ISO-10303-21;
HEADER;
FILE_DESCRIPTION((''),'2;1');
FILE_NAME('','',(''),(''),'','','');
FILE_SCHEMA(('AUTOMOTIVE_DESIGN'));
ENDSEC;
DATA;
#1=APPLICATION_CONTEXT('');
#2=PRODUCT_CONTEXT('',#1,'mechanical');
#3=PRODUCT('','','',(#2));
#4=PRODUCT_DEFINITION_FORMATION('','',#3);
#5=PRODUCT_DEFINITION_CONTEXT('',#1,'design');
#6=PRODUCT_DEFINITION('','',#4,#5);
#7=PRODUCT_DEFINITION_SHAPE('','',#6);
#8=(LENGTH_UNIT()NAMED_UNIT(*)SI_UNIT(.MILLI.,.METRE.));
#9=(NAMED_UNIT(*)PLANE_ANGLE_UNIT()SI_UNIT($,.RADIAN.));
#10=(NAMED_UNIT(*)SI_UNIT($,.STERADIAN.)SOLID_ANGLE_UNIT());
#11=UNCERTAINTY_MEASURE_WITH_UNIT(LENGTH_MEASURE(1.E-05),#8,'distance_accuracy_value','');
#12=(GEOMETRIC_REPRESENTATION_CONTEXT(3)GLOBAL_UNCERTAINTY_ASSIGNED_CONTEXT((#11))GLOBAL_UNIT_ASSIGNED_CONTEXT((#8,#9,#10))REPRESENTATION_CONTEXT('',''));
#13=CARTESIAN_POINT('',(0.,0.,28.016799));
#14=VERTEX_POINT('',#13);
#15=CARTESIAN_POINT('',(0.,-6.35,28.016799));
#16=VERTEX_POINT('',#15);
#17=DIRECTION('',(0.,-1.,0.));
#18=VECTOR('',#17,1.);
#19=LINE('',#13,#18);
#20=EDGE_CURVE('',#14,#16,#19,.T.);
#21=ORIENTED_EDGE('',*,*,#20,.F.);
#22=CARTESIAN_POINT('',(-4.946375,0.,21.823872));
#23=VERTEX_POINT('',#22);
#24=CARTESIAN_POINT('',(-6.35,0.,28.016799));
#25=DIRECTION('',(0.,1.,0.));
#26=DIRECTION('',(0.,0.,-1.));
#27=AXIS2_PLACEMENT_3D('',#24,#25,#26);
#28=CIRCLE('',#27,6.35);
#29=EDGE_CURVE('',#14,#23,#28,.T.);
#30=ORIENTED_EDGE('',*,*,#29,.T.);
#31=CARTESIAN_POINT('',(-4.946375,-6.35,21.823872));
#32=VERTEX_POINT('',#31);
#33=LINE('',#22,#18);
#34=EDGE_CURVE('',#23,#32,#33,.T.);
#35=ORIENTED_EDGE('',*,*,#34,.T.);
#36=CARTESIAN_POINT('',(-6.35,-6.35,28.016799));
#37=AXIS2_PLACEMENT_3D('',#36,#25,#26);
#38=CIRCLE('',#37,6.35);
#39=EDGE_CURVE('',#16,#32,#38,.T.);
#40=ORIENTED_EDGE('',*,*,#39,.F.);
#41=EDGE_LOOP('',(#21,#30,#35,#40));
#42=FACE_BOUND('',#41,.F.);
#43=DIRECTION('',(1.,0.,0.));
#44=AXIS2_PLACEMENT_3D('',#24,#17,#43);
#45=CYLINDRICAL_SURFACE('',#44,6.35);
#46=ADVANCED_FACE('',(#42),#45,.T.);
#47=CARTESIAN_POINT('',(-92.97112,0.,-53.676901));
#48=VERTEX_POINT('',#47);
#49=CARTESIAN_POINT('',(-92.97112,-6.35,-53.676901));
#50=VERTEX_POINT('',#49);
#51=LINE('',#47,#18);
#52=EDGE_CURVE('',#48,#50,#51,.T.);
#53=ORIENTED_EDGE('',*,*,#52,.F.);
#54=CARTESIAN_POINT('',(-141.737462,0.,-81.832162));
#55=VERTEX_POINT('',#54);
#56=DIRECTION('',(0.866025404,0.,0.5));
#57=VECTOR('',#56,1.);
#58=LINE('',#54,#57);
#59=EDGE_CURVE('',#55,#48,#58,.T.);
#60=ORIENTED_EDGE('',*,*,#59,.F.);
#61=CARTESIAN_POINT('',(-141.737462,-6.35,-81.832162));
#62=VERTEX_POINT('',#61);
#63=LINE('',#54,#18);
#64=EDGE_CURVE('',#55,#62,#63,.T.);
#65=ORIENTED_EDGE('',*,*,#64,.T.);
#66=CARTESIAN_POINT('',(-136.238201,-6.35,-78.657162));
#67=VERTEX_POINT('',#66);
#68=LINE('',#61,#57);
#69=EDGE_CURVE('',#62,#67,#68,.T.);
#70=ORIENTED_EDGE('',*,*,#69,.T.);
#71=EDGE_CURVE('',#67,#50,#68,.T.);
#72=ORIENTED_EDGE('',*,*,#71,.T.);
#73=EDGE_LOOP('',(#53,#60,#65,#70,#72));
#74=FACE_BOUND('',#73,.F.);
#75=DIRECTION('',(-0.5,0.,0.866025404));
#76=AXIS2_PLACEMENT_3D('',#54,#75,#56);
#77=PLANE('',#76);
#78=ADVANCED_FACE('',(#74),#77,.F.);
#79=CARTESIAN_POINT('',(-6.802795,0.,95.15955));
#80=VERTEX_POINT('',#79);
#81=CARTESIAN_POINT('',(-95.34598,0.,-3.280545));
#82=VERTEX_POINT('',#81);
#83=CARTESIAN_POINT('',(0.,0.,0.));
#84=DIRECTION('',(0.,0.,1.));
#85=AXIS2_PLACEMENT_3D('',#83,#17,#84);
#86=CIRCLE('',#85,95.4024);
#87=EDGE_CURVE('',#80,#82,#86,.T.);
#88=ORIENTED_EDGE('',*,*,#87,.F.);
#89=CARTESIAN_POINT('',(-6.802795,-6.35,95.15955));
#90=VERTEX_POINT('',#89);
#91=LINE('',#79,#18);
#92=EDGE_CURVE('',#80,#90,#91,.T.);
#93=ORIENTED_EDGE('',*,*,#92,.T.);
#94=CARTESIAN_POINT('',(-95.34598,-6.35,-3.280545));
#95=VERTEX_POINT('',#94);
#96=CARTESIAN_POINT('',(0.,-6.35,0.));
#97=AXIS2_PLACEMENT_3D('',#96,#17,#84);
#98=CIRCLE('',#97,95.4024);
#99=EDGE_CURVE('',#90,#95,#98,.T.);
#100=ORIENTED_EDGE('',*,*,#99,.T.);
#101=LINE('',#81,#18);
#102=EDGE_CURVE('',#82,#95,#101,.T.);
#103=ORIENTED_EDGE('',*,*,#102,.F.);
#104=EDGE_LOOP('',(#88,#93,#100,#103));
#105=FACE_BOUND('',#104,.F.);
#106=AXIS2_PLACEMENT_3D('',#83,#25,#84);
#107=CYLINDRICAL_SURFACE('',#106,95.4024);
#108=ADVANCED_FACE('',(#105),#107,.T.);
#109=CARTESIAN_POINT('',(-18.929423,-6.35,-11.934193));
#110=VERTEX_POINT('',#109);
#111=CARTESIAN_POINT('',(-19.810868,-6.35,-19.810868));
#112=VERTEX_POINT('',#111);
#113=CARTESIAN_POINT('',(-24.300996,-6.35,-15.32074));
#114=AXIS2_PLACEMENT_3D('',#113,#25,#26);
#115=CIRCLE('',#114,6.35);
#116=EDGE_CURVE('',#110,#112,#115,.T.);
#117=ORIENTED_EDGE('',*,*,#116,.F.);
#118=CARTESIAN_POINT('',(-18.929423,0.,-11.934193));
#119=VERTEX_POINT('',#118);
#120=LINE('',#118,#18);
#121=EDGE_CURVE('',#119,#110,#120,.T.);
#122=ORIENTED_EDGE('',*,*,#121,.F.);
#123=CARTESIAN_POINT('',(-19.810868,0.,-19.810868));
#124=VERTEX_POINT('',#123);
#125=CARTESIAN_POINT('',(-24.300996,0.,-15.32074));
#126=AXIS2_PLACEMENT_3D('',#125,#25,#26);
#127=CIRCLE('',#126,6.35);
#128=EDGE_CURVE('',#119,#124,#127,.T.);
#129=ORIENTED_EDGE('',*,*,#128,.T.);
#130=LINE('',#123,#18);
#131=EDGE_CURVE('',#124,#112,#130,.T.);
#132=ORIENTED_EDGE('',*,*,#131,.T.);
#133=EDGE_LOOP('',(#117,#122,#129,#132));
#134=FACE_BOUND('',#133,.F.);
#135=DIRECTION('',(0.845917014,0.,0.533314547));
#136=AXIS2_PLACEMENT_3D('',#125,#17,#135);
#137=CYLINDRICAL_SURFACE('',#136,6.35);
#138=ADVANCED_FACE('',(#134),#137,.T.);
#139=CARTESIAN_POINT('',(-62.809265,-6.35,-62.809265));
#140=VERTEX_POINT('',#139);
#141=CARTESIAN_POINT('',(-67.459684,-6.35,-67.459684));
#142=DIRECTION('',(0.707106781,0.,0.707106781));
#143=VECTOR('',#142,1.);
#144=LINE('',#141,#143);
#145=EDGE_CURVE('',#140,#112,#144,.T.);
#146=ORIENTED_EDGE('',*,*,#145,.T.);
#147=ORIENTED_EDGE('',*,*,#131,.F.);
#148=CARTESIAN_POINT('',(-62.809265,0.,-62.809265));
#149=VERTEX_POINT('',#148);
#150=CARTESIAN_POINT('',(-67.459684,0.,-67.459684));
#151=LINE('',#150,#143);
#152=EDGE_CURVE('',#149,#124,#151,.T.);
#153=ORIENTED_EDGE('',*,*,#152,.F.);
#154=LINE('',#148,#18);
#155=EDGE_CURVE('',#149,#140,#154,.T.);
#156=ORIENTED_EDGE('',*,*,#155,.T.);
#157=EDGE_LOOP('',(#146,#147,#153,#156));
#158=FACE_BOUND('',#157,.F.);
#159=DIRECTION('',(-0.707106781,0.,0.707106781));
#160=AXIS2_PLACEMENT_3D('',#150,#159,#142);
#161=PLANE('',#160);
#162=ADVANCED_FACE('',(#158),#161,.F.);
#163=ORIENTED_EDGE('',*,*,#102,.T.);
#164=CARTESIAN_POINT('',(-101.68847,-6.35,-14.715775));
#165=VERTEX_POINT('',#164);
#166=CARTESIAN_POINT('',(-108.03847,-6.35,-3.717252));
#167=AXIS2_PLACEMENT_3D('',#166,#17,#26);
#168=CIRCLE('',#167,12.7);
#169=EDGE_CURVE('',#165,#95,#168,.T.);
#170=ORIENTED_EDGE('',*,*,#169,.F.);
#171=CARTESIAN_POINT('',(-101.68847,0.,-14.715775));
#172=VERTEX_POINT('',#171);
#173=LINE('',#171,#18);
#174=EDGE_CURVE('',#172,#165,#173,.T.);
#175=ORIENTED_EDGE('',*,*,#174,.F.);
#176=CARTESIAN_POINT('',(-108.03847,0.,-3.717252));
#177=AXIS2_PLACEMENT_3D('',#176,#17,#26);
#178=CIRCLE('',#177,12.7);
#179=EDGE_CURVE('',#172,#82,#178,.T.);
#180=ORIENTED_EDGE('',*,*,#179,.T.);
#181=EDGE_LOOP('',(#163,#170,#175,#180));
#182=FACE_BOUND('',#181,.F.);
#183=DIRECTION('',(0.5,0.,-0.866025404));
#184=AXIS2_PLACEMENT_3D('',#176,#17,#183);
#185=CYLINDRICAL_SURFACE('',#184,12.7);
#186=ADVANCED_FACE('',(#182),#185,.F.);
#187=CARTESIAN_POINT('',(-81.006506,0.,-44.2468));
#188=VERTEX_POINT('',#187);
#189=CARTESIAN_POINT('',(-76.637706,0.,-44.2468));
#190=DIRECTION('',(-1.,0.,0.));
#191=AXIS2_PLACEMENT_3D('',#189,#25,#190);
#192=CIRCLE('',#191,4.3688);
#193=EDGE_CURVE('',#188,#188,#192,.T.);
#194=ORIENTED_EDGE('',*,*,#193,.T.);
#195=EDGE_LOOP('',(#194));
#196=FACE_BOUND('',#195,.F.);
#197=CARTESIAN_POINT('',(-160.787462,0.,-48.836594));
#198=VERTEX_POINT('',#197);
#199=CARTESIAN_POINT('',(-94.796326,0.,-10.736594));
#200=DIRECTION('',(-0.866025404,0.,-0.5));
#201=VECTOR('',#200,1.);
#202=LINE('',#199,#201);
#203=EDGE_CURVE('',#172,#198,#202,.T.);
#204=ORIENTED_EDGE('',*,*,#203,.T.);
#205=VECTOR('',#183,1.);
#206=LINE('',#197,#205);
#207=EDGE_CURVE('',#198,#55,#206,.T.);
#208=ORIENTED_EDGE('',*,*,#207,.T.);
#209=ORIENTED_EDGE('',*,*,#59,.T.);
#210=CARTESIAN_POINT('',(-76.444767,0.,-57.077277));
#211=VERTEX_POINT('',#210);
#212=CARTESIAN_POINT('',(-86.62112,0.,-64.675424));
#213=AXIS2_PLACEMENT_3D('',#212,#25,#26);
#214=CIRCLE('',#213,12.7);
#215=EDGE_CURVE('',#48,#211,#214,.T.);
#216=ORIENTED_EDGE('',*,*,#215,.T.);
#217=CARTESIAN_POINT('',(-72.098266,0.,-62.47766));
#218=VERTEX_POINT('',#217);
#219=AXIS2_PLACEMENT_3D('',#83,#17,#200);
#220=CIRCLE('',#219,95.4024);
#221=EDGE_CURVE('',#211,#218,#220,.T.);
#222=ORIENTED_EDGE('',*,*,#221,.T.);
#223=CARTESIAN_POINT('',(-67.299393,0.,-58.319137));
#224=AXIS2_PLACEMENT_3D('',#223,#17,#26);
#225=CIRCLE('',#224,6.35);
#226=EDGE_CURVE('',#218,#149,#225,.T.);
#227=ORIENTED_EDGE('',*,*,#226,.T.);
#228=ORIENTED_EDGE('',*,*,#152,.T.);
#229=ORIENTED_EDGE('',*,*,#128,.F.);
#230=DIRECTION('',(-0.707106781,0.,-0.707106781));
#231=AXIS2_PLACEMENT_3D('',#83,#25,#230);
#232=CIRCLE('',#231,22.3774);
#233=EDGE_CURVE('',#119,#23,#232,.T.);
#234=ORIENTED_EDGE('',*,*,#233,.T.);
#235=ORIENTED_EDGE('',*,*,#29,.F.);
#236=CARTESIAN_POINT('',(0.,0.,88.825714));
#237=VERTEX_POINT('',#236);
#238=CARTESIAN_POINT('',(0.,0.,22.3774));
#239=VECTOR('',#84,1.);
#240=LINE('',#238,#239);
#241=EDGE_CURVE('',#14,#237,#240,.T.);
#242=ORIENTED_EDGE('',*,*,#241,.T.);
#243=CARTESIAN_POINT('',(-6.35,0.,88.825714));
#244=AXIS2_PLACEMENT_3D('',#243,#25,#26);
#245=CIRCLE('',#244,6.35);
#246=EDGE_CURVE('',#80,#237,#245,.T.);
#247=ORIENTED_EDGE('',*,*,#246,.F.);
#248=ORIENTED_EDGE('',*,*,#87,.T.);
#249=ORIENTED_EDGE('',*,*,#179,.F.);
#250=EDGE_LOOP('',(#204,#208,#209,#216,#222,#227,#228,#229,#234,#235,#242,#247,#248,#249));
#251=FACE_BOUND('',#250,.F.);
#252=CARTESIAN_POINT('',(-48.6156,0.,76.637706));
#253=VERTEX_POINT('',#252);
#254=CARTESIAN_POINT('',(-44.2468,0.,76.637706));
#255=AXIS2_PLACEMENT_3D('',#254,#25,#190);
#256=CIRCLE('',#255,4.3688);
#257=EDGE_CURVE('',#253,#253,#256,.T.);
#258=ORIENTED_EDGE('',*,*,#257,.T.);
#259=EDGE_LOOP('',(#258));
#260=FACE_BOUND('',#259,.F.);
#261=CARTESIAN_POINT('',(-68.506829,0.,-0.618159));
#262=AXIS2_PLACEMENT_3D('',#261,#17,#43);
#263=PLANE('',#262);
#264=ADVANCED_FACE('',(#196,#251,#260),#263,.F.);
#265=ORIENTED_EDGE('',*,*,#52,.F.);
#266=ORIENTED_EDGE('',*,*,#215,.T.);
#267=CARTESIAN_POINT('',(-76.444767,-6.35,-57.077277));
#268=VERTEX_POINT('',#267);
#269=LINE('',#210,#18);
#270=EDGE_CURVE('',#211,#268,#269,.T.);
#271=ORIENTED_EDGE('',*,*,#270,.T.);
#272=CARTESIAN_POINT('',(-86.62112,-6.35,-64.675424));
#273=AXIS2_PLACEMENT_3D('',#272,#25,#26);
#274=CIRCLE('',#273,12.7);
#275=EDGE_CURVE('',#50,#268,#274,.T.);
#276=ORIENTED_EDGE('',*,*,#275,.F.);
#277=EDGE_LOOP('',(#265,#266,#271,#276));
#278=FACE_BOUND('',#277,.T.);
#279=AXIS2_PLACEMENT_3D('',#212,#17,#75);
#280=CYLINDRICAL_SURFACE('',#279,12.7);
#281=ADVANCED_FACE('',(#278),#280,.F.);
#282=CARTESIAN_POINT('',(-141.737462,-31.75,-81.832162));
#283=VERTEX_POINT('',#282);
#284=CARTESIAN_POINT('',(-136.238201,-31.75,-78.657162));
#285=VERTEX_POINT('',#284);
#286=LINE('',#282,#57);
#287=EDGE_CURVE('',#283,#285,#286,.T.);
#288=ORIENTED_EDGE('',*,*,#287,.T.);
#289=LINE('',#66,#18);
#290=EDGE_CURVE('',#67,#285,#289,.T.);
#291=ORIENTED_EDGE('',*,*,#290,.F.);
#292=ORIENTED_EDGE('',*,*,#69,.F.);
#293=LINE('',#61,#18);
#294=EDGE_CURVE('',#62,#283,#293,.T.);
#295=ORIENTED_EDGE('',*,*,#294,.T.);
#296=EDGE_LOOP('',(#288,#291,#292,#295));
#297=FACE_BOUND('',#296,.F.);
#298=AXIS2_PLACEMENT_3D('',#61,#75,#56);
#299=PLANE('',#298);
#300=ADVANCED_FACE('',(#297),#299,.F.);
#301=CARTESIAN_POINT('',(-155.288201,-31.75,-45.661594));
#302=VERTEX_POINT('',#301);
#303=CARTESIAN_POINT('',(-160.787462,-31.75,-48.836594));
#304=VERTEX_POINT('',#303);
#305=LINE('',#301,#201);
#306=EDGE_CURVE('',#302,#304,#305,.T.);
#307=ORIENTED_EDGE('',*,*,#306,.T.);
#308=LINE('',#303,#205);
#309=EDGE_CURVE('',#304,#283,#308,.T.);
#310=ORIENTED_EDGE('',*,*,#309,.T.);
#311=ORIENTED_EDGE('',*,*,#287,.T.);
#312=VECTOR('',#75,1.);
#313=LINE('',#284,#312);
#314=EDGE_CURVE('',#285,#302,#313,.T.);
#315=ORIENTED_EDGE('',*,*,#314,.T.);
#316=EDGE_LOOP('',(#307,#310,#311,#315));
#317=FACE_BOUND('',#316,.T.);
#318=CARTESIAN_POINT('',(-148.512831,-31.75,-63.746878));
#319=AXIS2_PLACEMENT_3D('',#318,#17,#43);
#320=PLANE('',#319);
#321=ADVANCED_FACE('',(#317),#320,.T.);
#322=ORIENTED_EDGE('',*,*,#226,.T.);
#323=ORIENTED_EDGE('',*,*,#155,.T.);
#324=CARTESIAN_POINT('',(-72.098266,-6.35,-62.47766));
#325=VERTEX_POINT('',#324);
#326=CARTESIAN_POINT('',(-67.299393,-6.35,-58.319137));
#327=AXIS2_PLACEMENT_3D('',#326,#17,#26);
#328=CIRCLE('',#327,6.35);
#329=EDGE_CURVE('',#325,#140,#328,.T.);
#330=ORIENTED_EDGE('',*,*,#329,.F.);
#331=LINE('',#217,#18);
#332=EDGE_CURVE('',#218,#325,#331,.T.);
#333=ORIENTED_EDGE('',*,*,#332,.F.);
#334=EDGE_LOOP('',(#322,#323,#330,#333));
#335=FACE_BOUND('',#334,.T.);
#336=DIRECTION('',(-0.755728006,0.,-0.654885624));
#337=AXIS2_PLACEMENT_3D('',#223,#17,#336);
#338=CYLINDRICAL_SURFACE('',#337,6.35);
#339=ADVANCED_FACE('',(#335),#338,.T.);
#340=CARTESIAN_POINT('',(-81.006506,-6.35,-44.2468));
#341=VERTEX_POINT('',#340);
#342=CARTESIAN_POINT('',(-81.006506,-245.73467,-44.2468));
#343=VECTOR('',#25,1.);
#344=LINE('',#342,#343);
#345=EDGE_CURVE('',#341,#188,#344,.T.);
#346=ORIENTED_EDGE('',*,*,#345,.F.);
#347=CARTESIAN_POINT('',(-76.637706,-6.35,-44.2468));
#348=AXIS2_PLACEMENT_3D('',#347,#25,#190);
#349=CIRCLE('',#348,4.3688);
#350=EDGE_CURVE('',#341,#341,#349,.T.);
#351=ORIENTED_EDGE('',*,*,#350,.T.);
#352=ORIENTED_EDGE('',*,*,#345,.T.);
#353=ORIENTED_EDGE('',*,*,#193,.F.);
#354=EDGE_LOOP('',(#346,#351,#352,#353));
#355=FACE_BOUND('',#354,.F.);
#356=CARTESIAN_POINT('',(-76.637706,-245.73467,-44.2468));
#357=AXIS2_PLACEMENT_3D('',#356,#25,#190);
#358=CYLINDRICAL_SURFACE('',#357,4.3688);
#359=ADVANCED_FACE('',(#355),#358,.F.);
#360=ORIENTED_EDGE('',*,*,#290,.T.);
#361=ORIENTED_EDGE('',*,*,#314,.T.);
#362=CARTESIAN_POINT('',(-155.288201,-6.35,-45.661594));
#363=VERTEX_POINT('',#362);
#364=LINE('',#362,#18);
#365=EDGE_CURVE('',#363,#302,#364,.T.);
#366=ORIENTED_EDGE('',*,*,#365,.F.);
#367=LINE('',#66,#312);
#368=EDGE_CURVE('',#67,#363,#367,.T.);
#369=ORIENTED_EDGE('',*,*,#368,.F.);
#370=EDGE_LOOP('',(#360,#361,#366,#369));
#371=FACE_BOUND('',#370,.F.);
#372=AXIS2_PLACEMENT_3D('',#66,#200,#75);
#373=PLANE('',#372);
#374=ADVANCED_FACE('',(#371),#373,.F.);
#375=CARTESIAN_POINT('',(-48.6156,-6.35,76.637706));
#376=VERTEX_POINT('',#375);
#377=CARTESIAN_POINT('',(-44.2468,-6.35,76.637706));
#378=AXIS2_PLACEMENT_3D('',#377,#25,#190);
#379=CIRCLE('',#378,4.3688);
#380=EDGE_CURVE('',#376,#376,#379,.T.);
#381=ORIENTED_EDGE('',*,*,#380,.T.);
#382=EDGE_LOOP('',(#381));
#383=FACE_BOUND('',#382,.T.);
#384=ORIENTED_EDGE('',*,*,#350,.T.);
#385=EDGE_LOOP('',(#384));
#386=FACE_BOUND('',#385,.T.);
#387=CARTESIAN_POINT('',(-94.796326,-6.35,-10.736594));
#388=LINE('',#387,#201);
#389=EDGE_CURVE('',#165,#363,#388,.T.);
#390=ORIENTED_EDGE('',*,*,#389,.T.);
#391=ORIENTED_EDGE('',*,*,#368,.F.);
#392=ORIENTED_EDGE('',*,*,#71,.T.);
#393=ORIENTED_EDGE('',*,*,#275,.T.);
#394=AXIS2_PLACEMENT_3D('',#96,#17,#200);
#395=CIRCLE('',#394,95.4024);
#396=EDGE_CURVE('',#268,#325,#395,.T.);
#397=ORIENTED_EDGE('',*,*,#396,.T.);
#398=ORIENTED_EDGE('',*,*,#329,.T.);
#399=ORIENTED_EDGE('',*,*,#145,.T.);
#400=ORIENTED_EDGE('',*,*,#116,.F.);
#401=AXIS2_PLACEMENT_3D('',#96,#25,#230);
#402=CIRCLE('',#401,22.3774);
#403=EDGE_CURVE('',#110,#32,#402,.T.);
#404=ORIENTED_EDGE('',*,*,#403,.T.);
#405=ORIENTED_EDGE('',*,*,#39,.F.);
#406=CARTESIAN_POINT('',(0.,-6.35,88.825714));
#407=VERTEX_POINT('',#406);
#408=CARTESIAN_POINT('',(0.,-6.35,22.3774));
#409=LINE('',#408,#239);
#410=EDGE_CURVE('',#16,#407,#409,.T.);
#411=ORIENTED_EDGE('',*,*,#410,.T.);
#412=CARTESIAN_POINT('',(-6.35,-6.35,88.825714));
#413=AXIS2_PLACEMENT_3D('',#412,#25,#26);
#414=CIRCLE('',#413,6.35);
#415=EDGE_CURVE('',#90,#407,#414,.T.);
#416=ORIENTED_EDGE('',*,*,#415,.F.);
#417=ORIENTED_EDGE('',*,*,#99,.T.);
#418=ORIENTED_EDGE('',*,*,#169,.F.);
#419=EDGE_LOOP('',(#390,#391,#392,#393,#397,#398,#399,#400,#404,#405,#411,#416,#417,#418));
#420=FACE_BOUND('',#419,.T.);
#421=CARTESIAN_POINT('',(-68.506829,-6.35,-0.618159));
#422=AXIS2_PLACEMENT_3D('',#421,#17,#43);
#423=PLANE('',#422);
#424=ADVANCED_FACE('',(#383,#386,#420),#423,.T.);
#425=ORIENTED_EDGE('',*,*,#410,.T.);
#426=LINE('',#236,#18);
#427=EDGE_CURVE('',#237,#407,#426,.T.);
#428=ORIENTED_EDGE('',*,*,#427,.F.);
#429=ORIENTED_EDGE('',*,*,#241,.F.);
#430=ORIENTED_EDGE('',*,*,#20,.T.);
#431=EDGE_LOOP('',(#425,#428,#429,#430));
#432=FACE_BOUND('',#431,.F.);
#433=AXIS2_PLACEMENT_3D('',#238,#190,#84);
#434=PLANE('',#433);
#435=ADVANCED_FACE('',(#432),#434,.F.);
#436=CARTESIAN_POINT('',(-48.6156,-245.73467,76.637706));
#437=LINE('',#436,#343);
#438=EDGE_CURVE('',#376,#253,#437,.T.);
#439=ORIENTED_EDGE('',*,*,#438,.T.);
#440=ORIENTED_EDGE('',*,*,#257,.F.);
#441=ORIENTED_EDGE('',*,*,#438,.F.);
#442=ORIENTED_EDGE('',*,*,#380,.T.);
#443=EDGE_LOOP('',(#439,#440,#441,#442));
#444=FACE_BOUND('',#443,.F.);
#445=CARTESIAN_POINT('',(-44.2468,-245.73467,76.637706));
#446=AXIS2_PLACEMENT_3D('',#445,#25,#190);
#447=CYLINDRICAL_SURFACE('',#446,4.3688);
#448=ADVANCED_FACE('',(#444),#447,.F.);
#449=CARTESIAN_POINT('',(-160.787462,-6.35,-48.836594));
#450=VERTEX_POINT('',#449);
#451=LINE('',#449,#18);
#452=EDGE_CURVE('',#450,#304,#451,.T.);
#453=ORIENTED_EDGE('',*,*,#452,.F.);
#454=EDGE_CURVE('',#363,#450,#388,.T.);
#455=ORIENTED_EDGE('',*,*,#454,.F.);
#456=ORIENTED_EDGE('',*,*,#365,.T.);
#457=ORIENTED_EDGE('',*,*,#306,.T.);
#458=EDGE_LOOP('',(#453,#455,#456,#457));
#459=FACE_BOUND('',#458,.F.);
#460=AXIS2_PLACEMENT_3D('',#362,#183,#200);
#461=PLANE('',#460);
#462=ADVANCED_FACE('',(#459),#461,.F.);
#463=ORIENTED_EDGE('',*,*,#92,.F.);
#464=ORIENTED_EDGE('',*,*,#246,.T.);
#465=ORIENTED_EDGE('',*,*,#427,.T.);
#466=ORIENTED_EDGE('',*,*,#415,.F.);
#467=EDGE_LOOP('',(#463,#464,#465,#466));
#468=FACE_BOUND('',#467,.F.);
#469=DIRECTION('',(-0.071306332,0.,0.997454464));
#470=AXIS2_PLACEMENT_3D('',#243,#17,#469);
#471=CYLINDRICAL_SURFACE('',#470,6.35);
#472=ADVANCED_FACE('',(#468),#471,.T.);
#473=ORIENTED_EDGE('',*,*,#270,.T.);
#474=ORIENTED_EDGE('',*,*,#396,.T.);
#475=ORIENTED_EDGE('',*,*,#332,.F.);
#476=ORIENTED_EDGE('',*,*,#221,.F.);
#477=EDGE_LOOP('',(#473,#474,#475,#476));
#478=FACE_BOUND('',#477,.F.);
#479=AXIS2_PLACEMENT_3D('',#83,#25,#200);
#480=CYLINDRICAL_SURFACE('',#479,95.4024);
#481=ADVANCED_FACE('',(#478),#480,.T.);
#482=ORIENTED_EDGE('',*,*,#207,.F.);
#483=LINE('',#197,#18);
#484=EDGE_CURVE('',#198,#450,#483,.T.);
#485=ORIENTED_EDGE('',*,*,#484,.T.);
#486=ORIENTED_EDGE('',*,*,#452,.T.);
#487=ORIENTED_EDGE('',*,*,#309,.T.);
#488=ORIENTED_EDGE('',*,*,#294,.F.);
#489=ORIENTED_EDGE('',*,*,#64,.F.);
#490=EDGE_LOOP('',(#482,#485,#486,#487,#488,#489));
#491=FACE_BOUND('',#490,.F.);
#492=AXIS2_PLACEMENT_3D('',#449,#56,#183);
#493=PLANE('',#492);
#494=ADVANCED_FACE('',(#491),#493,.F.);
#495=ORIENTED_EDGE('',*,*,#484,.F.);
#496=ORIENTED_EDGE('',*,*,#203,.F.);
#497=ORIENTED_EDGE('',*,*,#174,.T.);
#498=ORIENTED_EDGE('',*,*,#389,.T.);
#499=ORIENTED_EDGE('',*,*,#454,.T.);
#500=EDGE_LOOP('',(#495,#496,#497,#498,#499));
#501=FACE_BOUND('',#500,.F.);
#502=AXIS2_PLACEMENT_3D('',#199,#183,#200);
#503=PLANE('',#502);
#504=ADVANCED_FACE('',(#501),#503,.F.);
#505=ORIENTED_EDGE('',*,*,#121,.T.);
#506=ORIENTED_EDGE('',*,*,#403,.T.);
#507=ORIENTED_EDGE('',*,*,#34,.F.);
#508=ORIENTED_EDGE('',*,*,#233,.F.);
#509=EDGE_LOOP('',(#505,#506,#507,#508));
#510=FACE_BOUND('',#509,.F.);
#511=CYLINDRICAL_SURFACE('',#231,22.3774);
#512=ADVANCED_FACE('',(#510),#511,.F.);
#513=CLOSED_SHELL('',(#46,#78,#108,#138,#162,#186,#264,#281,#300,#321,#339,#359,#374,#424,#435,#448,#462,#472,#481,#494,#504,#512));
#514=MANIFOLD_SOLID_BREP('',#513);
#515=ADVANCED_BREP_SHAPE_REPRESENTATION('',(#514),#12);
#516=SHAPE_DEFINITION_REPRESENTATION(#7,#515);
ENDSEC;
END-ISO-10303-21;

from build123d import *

# Parameters (mm, degrees)
F1_DEPTH = 6.35
F3_D     = 8.7376
F5_DEPTH = 25.4
F6_R     = 12.7
F7_R     = 6.35


with BuildPart() as f1:
    # F0 (on Front) → F1 (new body)
    with BuildSketch(Plane.XZ):
        with BuildLine():
            Line((-141.7374620444, -81.8321618656), (-82.620901982, -47.7012))
            ThreePointArc((-82.620901982, -47.7012), (-75.6878127118, -58.0773013549), (-67.4596839815, -67.4596839815))
            Line((-67.4596839815, -67.4596839815), (-15.8232112853, -15.8232112853))
            ThreePointArc((-15.8232112853, -15.8232112853), (-20.6740218508, 8.5634602394), (0, 22.3774))
            Line((0, 22.3774), (0, 95.4024))
            ThreePointArc((0, 95.4024), (-71.1544614181, 63.5504566943), (-94.7963262761, -10.7365939814))
            Line((-94.7963262761, -10.7365939814), (-160.7874620444, -48.8365939814))
            Line((-160.7874620444, -48.8365939814), (-141.7374620444, -81.8321618656))
        make_face()
    extrude(amount=F1_DEPTH)

    # F3 (through all)
    with Locations(Plane.XZ.offset(6.35)):
        with Locations((-44.2468, 76.6377056723), (-76.6377056723, -44.2468)):
            Hole(F3_D / 2)

    # F4 (on face) → F5 (join)
    with BuildSketch(Plane.XZ.offset(6.35)):
        Polygon((-136.2382007304, -78.6571618656), (-155.2882007304, -45.6615939814), (-160.7874620444, -48.8365939814), (-141.7374620444, -81.8321618656), align=None)
    extrude(amount=F5_DEPTH)

    # F6
    f6_edges = [f1.edges().sort_by_distance(p)[0] for p in [
        (-82.620902, -3.175, -47.7012),
        (-94.796326, -3.175, -10.736594),
    ]]
    fillet(f6_edges, radius=F6_R)

    # F7
    f7_edges = [f1.edges().sort_by_distance(p)[0] for p in [
        (-67.459684, -3.175, -67.459684),
        (-15.823211, -3.175, -15.823211),
        (0, -3.175, 22.3774),
        (0, -3.175, 95.4024),
    ]]
    fillet(f7_edges, radius=F7_R)


solid = f1.part
